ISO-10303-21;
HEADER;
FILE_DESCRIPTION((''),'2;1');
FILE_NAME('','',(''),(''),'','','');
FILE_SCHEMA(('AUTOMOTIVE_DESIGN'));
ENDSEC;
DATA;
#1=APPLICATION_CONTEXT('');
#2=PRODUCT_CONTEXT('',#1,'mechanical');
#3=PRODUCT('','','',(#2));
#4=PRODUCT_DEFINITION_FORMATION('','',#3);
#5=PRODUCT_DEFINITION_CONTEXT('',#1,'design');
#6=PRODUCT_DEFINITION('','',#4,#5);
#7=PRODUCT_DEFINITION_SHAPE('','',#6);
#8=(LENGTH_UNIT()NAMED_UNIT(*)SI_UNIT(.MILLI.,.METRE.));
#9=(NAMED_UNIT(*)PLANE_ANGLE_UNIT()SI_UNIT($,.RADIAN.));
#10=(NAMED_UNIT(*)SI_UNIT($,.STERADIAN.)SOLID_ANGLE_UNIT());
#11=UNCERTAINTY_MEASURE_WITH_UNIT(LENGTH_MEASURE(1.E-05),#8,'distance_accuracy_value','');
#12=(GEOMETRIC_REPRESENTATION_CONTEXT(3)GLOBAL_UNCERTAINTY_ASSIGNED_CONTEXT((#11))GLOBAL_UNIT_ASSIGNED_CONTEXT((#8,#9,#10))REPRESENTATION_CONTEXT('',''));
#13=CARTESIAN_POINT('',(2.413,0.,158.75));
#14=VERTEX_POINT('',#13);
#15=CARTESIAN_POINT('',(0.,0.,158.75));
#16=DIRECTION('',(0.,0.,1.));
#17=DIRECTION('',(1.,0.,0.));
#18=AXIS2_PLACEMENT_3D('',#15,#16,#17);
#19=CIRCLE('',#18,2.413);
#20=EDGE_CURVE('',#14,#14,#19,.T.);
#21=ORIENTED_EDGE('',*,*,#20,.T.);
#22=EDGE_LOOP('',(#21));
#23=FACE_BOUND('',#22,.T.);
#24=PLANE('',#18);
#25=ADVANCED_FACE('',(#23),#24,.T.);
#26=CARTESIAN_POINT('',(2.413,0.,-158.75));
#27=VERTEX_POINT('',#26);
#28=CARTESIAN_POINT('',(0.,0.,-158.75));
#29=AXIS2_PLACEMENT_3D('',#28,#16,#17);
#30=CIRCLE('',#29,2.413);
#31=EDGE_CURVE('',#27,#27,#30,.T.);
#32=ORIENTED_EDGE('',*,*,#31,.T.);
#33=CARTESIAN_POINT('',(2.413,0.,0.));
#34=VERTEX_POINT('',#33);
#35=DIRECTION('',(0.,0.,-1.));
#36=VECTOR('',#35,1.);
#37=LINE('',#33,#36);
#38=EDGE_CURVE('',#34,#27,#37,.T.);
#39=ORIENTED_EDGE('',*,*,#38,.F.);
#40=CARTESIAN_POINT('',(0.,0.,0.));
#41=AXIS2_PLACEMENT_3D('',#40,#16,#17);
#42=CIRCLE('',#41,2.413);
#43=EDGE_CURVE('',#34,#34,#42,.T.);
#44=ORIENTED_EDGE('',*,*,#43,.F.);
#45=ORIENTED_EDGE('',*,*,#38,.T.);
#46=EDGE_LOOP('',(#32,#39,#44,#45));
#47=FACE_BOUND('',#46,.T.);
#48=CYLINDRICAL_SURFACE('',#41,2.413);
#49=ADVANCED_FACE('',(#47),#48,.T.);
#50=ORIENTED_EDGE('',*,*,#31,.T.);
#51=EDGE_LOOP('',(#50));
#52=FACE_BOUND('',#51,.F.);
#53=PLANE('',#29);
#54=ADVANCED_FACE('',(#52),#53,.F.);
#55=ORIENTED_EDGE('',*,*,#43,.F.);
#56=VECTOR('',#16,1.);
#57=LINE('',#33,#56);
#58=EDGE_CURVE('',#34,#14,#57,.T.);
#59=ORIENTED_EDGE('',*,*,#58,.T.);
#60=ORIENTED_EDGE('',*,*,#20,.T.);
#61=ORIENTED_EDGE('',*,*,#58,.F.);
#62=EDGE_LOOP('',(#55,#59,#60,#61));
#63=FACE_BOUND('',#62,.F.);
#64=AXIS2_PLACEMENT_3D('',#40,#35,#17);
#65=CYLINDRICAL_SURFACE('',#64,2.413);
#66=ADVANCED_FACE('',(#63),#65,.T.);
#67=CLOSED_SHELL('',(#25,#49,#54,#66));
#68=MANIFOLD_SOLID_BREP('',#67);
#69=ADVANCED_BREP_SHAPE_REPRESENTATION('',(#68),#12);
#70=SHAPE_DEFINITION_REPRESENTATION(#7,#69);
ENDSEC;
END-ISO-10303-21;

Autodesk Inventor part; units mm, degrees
ref_plane "YZ Plane" through (0, 0, 0) normal (1, 0, 0) x (0, 1, 0)
ref_plane "XZ Plane" through (0, 0, 0) normal (0, 1, 0) x (-1, 0, 0)
ref_plane "XY Plane" through (0, 0, 0) normal (0, 0, 1) x (1, 0, 0)
sketch "Sketch1" plane through (0, 0, 0) normal (0, 0, 1) x (1, 0, 0)
  circle A0 centre (0, 0) radius 2.413
  dimension "d0" = 4.826
extrude "Extrusion1" add sketch "Sketch1" along normal mid plane 317.5
properties part number "LongitudinalSupportBar" material "Steel, Cast"
